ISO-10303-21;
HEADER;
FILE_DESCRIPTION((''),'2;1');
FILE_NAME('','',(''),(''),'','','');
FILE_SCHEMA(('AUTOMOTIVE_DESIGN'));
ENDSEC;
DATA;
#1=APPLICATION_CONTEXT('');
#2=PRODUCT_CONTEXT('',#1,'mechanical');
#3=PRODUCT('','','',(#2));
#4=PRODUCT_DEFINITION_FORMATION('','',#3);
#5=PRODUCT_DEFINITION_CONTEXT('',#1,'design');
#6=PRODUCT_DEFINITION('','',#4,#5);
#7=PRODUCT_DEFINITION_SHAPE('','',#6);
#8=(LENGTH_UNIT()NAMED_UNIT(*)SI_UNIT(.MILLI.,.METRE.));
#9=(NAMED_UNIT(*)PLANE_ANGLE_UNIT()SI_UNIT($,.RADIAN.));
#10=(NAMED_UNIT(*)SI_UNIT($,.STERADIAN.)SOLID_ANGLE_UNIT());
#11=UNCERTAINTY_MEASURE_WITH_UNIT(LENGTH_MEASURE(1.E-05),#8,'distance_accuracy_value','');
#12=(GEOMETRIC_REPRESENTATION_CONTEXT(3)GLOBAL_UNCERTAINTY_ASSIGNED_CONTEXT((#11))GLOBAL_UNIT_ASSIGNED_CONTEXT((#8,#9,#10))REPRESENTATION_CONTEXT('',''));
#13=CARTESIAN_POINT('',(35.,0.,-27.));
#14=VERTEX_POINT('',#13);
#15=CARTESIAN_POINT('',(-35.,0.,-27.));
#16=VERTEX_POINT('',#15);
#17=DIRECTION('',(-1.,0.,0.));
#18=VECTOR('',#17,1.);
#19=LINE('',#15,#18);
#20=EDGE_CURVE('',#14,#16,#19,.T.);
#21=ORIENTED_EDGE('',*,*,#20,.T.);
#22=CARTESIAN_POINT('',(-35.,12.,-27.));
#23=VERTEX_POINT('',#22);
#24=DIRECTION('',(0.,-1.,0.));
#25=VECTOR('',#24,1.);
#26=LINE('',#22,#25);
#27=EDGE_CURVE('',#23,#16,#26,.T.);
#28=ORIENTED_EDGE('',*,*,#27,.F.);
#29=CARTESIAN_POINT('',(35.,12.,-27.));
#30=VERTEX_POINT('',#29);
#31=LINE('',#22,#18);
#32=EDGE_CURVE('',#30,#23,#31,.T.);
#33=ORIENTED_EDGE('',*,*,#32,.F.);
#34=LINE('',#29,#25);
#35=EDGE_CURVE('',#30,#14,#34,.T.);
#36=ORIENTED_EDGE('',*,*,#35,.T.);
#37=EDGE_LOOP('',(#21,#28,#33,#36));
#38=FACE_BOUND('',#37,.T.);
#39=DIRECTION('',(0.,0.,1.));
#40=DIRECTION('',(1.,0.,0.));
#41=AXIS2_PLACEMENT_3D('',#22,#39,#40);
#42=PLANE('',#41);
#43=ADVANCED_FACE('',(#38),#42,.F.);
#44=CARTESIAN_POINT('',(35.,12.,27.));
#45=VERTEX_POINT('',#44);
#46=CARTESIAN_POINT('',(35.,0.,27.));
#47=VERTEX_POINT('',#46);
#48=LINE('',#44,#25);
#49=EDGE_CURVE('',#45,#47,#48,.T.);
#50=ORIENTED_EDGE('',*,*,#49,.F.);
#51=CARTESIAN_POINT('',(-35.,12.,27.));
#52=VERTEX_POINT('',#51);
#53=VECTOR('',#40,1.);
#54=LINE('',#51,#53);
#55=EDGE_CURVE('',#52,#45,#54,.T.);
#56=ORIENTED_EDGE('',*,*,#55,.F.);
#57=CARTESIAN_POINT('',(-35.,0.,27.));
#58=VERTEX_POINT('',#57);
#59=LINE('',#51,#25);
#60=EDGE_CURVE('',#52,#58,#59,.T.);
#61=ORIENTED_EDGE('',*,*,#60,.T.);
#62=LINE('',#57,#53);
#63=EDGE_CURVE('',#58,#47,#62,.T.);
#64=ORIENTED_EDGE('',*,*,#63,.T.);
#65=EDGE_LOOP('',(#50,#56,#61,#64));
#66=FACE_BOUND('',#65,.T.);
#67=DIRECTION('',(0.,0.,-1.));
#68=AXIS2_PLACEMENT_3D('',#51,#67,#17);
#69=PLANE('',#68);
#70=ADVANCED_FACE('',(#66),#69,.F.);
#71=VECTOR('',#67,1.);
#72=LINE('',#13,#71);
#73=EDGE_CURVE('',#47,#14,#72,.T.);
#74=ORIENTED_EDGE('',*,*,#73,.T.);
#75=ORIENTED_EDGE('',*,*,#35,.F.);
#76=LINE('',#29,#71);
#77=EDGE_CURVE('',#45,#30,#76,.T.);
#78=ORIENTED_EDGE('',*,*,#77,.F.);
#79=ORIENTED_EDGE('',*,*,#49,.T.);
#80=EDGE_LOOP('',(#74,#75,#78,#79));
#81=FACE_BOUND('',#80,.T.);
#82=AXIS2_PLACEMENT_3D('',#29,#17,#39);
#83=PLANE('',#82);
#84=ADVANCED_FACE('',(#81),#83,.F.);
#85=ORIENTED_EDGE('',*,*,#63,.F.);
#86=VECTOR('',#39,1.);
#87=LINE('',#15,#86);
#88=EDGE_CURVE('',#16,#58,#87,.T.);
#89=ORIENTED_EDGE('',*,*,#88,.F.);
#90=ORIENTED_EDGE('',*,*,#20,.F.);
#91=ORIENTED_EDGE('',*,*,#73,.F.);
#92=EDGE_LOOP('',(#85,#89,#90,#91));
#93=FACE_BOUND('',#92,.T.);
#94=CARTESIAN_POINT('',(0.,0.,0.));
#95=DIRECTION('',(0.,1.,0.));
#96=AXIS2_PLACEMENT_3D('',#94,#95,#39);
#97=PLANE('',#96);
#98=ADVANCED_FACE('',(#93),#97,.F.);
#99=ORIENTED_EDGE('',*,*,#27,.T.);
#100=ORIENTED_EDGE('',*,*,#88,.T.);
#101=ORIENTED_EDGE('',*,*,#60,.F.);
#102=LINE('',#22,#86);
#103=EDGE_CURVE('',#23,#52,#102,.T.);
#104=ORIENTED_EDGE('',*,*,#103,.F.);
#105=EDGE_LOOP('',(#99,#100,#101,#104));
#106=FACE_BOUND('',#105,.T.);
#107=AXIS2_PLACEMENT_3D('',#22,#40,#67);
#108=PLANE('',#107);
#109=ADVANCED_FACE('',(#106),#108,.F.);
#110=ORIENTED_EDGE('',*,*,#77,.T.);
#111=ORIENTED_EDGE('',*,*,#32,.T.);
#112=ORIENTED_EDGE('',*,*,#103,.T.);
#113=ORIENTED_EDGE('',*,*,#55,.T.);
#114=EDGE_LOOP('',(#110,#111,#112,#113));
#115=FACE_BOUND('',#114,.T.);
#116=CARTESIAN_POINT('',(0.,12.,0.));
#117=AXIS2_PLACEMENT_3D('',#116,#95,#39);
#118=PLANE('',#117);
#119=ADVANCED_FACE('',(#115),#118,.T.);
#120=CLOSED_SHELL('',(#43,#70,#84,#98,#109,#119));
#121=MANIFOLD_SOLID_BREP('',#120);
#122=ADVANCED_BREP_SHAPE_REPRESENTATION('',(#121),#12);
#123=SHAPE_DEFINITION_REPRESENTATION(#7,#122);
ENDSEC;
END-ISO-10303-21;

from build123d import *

# Parameters (mm, degrees)
SKETCH_1_W      = 70
SKETCH_1_H      = 54
EXTRUDE_1_DEPTH = 12


with BuildPart() as part:
    # 草图1 → 凸台-拉伸1 (new body)
    with BuildSketch(Plane(origin=(0, 0, 0), x_dir=(1, 0, 0), z_dir=(0, 1, 0))):
        Rectangle(SKETCH_1_W, SKETCH_1_H)
    extrude(amount=EXTRUDE_1_DEPTH)


solid = part.part
